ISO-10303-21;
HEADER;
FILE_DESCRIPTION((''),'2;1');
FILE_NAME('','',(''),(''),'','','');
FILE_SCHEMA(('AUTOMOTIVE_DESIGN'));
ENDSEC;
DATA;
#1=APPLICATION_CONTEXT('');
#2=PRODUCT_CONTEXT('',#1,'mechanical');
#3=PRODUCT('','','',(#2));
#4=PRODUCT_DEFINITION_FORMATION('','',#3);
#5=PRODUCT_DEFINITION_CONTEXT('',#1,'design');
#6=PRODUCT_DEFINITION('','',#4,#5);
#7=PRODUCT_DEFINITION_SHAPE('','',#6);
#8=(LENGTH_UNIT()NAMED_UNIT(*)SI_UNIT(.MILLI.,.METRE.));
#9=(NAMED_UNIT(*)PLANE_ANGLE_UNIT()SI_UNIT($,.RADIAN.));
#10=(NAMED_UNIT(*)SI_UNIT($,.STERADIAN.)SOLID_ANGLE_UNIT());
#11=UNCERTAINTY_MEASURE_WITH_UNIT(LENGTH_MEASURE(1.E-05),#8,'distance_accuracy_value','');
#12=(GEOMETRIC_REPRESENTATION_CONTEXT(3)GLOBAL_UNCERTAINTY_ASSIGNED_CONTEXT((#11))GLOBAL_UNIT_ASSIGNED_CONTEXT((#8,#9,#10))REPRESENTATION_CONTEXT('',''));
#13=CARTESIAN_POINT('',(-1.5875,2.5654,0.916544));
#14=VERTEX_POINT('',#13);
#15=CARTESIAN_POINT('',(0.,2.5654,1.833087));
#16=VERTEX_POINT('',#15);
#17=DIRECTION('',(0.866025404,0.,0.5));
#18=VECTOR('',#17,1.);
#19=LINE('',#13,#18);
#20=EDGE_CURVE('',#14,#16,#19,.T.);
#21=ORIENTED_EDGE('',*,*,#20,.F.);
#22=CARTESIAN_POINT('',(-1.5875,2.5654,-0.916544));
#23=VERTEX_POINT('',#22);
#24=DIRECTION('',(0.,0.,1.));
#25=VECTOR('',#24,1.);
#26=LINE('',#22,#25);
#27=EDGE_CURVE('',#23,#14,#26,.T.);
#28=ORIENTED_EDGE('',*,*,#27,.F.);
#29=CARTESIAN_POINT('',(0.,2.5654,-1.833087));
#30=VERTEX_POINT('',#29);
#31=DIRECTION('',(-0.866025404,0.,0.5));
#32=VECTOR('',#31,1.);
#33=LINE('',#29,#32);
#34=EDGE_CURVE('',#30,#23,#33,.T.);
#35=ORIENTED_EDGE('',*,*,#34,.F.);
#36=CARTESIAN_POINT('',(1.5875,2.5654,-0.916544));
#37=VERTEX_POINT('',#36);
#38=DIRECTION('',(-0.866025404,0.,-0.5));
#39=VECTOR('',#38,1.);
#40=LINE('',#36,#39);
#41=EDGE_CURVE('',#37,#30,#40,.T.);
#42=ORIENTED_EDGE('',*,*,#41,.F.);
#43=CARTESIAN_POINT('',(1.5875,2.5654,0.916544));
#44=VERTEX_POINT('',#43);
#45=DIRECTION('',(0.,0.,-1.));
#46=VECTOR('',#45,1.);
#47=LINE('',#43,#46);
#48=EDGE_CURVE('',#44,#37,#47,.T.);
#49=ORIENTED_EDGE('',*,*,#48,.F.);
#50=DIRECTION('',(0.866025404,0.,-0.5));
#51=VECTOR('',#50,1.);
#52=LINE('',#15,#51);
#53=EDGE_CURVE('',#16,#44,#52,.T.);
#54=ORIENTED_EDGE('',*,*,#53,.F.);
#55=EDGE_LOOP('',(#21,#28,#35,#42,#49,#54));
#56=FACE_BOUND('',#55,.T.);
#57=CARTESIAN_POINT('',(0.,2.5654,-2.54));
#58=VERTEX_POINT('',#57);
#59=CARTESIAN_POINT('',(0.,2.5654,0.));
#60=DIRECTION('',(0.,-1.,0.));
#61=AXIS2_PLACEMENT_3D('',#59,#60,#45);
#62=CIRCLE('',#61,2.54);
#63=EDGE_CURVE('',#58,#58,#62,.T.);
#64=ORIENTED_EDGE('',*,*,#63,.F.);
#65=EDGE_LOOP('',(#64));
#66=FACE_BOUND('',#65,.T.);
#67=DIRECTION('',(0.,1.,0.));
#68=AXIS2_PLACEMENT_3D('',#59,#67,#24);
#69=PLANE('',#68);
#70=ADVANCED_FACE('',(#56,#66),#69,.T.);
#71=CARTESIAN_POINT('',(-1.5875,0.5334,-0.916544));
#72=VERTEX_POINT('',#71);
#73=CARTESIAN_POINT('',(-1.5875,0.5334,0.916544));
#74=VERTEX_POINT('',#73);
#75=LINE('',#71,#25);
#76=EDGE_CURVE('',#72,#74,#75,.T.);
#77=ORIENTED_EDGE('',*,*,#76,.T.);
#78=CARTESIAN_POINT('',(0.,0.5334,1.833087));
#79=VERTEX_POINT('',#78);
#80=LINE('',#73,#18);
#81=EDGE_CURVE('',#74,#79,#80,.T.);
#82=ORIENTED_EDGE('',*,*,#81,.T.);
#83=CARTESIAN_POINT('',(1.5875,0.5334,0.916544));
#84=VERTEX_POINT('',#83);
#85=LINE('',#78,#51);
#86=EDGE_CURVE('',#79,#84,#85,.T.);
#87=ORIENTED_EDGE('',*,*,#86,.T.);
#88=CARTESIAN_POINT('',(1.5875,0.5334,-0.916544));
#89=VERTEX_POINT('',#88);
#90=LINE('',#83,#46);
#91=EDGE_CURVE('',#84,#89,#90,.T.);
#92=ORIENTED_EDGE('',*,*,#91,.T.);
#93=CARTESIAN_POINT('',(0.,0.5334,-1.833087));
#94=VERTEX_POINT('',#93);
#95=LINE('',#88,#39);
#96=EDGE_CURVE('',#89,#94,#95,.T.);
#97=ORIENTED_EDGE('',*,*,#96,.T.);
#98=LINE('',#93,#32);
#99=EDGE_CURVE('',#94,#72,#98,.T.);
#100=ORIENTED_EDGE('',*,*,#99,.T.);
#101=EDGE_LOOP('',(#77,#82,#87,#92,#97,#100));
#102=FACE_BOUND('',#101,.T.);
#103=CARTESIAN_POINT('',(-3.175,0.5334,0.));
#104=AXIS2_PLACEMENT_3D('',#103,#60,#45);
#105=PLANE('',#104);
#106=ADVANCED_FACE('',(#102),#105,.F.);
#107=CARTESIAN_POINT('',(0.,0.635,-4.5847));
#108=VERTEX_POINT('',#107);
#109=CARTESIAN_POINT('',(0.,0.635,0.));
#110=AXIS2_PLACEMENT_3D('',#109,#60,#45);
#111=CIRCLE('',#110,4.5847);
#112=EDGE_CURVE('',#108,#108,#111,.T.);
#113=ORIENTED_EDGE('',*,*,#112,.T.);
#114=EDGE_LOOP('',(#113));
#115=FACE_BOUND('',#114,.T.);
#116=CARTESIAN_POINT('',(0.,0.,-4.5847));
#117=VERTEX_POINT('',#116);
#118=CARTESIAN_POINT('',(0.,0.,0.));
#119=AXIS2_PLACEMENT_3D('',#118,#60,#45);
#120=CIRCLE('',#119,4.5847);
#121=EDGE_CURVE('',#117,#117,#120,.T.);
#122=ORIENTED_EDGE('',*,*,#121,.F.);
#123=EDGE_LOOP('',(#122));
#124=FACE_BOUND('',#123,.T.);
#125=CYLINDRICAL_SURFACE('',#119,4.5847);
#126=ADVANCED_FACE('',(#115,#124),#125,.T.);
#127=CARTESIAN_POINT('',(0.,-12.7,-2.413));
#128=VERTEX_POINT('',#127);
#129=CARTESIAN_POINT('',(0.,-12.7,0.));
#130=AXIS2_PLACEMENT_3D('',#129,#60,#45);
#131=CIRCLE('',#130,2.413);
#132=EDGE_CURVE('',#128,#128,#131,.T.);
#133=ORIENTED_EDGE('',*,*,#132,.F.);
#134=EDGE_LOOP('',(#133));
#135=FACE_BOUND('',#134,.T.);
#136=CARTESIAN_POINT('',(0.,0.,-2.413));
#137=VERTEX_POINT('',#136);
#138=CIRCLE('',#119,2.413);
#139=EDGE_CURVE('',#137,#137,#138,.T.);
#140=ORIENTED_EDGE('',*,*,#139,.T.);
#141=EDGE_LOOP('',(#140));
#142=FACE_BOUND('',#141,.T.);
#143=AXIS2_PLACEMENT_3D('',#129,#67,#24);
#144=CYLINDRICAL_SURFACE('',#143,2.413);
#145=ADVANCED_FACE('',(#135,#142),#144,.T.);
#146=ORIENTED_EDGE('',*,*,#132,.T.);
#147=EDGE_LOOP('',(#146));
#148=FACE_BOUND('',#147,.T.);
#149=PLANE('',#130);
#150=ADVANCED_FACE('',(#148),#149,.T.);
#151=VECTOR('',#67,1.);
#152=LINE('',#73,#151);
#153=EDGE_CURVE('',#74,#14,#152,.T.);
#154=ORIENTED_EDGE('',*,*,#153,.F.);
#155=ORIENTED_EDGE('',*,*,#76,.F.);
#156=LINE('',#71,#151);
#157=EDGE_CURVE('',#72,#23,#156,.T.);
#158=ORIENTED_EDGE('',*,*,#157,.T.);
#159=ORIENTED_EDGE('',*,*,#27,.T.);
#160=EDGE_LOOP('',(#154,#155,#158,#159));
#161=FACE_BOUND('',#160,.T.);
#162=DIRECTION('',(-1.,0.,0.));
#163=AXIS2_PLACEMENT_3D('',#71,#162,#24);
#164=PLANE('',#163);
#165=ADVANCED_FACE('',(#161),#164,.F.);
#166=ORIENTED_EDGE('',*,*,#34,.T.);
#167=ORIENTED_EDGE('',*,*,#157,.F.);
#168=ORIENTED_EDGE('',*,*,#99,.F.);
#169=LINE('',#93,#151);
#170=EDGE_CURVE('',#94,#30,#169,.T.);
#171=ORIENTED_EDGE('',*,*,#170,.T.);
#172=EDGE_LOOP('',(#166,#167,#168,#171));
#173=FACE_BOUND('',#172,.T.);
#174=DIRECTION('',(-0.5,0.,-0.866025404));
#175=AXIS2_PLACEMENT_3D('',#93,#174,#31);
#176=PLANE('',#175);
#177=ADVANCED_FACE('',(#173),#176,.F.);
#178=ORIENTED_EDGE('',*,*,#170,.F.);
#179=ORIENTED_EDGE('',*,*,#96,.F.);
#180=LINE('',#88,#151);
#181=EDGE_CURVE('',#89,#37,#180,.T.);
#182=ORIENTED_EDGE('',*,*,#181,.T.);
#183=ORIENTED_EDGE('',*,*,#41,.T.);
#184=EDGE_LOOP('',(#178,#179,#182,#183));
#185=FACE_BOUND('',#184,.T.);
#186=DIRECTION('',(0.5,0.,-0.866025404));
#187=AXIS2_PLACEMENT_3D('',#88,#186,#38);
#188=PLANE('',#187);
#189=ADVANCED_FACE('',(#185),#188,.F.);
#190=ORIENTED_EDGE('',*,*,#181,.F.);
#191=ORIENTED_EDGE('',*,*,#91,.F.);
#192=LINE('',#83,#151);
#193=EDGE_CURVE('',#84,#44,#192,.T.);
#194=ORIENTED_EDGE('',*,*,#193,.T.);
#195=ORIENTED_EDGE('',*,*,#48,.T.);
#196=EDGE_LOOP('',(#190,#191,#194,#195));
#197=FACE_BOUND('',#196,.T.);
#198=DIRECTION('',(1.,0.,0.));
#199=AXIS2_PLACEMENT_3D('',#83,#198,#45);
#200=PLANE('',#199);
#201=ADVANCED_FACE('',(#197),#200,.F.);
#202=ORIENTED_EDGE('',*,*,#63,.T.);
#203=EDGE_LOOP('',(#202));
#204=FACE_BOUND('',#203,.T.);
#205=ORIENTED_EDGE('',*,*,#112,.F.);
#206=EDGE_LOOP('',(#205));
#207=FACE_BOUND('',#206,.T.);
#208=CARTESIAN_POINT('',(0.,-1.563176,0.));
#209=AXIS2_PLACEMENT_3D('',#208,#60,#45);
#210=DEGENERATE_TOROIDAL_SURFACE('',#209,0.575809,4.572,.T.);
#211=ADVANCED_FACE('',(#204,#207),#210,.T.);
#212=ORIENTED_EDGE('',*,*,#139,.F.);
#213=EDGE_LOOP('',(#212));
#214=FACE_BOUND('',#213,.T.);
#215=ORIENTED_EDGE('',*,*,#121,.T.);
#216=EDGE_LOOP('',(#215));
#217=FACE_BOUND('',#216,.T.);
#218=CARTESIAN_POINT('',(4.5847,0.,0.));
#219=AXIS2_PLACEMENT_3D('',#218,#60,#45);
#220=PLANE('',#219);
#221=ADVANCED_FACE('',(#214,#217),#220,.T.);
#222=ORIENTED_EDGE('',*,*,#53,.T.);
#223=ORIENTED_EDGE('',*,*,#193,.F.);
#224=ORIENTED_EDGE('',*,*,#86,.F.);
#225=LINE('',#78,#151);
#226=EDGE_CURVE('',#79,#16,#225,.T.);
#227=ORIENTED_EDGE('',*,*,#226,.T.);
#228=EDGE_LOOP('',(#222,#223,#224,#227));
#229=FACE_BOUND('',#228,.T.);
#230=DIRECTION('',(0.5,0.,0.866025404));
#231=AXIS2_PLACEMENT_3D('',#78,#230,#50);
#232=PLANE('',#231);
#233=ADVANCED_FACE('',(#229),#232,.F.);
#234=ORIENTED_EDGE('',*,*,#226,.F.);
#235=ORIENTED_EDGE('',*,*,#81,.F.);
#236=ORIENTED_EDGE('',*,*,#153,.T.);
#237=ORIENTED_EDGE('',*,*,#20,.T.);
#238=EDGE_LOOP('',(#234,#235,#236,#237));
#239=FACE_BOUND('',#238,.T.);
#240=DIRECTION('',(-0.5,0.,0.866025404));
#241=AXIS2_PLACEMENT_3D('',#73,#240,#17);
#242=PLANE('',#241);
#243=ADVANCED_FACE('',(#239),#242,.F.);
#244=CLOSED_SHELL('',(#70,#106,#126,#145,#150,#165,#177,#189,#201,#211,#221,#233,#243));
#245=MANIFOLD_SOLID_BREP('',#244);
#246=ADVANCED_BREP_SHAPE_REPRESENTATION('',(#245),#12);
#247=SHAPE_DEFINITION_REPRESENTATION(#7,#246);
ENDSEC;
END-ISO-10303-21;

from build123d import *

# Parameters (mm, degrees)
CUT_EXTRUDE1_DEPTH = 2.032
SKETCH3_R          = 2.413
EXTRUDE1_DEPTH     = 12.7


with BuildPart() as part:
    # Sketch1 → Revolve1 (revolve)
    with BuildSketch(Plane.XY, mode=Mode.PRIVATE) as revolve1_sk:
        with BuildLine():
            Line((4.5847, 0), (4.5847, 0.635))
            ThreePointArc((4.5847, 0.635), (3.714445355, 1.761301001), (2.54, 2.5654))
            Line((2.54, 2.5654), (0, 2.5654))
            Line((0, 2.5654), (0, 0))
            Line((0, 0), (4.5847, 0))
        make_face()
    revolve(revolve1_sk.sketch.rotate(Axis((0, 0, 0), (0, 1, 0)), 90), axis=Axis((0, 0, 0), (0, 1, 0)))

    # Sketch2 → Cut-Extrude1 (cut)
    with BuildSketch(Plane(origin=(0, 2.5654, 0), x_dir=(-1, 0, 0), z_dir=(0, 1, 0))):
        Polygon((0, 1.833087105), (-1.5875, 0.916543552), (-1.5875, -0.916543552), (0, -1.833087105), (1.5875, -0.916543552), (1.5875, 0.916543552), align=None)
    extrude(amount=-CUT_EXTRUDE1_DEPTH, mode=Mode.SUBTRACT)

    # Sketch3 → Extrude1 (add)
    with BuildSketch(Plane.XZ):
        with Locations(Location((0, 0, 0), (0, 0, 270))):
            Circle(SKETCH3_R)
    extrude(amount=EXTRUDE1_DEPTH)


solid = part.part
